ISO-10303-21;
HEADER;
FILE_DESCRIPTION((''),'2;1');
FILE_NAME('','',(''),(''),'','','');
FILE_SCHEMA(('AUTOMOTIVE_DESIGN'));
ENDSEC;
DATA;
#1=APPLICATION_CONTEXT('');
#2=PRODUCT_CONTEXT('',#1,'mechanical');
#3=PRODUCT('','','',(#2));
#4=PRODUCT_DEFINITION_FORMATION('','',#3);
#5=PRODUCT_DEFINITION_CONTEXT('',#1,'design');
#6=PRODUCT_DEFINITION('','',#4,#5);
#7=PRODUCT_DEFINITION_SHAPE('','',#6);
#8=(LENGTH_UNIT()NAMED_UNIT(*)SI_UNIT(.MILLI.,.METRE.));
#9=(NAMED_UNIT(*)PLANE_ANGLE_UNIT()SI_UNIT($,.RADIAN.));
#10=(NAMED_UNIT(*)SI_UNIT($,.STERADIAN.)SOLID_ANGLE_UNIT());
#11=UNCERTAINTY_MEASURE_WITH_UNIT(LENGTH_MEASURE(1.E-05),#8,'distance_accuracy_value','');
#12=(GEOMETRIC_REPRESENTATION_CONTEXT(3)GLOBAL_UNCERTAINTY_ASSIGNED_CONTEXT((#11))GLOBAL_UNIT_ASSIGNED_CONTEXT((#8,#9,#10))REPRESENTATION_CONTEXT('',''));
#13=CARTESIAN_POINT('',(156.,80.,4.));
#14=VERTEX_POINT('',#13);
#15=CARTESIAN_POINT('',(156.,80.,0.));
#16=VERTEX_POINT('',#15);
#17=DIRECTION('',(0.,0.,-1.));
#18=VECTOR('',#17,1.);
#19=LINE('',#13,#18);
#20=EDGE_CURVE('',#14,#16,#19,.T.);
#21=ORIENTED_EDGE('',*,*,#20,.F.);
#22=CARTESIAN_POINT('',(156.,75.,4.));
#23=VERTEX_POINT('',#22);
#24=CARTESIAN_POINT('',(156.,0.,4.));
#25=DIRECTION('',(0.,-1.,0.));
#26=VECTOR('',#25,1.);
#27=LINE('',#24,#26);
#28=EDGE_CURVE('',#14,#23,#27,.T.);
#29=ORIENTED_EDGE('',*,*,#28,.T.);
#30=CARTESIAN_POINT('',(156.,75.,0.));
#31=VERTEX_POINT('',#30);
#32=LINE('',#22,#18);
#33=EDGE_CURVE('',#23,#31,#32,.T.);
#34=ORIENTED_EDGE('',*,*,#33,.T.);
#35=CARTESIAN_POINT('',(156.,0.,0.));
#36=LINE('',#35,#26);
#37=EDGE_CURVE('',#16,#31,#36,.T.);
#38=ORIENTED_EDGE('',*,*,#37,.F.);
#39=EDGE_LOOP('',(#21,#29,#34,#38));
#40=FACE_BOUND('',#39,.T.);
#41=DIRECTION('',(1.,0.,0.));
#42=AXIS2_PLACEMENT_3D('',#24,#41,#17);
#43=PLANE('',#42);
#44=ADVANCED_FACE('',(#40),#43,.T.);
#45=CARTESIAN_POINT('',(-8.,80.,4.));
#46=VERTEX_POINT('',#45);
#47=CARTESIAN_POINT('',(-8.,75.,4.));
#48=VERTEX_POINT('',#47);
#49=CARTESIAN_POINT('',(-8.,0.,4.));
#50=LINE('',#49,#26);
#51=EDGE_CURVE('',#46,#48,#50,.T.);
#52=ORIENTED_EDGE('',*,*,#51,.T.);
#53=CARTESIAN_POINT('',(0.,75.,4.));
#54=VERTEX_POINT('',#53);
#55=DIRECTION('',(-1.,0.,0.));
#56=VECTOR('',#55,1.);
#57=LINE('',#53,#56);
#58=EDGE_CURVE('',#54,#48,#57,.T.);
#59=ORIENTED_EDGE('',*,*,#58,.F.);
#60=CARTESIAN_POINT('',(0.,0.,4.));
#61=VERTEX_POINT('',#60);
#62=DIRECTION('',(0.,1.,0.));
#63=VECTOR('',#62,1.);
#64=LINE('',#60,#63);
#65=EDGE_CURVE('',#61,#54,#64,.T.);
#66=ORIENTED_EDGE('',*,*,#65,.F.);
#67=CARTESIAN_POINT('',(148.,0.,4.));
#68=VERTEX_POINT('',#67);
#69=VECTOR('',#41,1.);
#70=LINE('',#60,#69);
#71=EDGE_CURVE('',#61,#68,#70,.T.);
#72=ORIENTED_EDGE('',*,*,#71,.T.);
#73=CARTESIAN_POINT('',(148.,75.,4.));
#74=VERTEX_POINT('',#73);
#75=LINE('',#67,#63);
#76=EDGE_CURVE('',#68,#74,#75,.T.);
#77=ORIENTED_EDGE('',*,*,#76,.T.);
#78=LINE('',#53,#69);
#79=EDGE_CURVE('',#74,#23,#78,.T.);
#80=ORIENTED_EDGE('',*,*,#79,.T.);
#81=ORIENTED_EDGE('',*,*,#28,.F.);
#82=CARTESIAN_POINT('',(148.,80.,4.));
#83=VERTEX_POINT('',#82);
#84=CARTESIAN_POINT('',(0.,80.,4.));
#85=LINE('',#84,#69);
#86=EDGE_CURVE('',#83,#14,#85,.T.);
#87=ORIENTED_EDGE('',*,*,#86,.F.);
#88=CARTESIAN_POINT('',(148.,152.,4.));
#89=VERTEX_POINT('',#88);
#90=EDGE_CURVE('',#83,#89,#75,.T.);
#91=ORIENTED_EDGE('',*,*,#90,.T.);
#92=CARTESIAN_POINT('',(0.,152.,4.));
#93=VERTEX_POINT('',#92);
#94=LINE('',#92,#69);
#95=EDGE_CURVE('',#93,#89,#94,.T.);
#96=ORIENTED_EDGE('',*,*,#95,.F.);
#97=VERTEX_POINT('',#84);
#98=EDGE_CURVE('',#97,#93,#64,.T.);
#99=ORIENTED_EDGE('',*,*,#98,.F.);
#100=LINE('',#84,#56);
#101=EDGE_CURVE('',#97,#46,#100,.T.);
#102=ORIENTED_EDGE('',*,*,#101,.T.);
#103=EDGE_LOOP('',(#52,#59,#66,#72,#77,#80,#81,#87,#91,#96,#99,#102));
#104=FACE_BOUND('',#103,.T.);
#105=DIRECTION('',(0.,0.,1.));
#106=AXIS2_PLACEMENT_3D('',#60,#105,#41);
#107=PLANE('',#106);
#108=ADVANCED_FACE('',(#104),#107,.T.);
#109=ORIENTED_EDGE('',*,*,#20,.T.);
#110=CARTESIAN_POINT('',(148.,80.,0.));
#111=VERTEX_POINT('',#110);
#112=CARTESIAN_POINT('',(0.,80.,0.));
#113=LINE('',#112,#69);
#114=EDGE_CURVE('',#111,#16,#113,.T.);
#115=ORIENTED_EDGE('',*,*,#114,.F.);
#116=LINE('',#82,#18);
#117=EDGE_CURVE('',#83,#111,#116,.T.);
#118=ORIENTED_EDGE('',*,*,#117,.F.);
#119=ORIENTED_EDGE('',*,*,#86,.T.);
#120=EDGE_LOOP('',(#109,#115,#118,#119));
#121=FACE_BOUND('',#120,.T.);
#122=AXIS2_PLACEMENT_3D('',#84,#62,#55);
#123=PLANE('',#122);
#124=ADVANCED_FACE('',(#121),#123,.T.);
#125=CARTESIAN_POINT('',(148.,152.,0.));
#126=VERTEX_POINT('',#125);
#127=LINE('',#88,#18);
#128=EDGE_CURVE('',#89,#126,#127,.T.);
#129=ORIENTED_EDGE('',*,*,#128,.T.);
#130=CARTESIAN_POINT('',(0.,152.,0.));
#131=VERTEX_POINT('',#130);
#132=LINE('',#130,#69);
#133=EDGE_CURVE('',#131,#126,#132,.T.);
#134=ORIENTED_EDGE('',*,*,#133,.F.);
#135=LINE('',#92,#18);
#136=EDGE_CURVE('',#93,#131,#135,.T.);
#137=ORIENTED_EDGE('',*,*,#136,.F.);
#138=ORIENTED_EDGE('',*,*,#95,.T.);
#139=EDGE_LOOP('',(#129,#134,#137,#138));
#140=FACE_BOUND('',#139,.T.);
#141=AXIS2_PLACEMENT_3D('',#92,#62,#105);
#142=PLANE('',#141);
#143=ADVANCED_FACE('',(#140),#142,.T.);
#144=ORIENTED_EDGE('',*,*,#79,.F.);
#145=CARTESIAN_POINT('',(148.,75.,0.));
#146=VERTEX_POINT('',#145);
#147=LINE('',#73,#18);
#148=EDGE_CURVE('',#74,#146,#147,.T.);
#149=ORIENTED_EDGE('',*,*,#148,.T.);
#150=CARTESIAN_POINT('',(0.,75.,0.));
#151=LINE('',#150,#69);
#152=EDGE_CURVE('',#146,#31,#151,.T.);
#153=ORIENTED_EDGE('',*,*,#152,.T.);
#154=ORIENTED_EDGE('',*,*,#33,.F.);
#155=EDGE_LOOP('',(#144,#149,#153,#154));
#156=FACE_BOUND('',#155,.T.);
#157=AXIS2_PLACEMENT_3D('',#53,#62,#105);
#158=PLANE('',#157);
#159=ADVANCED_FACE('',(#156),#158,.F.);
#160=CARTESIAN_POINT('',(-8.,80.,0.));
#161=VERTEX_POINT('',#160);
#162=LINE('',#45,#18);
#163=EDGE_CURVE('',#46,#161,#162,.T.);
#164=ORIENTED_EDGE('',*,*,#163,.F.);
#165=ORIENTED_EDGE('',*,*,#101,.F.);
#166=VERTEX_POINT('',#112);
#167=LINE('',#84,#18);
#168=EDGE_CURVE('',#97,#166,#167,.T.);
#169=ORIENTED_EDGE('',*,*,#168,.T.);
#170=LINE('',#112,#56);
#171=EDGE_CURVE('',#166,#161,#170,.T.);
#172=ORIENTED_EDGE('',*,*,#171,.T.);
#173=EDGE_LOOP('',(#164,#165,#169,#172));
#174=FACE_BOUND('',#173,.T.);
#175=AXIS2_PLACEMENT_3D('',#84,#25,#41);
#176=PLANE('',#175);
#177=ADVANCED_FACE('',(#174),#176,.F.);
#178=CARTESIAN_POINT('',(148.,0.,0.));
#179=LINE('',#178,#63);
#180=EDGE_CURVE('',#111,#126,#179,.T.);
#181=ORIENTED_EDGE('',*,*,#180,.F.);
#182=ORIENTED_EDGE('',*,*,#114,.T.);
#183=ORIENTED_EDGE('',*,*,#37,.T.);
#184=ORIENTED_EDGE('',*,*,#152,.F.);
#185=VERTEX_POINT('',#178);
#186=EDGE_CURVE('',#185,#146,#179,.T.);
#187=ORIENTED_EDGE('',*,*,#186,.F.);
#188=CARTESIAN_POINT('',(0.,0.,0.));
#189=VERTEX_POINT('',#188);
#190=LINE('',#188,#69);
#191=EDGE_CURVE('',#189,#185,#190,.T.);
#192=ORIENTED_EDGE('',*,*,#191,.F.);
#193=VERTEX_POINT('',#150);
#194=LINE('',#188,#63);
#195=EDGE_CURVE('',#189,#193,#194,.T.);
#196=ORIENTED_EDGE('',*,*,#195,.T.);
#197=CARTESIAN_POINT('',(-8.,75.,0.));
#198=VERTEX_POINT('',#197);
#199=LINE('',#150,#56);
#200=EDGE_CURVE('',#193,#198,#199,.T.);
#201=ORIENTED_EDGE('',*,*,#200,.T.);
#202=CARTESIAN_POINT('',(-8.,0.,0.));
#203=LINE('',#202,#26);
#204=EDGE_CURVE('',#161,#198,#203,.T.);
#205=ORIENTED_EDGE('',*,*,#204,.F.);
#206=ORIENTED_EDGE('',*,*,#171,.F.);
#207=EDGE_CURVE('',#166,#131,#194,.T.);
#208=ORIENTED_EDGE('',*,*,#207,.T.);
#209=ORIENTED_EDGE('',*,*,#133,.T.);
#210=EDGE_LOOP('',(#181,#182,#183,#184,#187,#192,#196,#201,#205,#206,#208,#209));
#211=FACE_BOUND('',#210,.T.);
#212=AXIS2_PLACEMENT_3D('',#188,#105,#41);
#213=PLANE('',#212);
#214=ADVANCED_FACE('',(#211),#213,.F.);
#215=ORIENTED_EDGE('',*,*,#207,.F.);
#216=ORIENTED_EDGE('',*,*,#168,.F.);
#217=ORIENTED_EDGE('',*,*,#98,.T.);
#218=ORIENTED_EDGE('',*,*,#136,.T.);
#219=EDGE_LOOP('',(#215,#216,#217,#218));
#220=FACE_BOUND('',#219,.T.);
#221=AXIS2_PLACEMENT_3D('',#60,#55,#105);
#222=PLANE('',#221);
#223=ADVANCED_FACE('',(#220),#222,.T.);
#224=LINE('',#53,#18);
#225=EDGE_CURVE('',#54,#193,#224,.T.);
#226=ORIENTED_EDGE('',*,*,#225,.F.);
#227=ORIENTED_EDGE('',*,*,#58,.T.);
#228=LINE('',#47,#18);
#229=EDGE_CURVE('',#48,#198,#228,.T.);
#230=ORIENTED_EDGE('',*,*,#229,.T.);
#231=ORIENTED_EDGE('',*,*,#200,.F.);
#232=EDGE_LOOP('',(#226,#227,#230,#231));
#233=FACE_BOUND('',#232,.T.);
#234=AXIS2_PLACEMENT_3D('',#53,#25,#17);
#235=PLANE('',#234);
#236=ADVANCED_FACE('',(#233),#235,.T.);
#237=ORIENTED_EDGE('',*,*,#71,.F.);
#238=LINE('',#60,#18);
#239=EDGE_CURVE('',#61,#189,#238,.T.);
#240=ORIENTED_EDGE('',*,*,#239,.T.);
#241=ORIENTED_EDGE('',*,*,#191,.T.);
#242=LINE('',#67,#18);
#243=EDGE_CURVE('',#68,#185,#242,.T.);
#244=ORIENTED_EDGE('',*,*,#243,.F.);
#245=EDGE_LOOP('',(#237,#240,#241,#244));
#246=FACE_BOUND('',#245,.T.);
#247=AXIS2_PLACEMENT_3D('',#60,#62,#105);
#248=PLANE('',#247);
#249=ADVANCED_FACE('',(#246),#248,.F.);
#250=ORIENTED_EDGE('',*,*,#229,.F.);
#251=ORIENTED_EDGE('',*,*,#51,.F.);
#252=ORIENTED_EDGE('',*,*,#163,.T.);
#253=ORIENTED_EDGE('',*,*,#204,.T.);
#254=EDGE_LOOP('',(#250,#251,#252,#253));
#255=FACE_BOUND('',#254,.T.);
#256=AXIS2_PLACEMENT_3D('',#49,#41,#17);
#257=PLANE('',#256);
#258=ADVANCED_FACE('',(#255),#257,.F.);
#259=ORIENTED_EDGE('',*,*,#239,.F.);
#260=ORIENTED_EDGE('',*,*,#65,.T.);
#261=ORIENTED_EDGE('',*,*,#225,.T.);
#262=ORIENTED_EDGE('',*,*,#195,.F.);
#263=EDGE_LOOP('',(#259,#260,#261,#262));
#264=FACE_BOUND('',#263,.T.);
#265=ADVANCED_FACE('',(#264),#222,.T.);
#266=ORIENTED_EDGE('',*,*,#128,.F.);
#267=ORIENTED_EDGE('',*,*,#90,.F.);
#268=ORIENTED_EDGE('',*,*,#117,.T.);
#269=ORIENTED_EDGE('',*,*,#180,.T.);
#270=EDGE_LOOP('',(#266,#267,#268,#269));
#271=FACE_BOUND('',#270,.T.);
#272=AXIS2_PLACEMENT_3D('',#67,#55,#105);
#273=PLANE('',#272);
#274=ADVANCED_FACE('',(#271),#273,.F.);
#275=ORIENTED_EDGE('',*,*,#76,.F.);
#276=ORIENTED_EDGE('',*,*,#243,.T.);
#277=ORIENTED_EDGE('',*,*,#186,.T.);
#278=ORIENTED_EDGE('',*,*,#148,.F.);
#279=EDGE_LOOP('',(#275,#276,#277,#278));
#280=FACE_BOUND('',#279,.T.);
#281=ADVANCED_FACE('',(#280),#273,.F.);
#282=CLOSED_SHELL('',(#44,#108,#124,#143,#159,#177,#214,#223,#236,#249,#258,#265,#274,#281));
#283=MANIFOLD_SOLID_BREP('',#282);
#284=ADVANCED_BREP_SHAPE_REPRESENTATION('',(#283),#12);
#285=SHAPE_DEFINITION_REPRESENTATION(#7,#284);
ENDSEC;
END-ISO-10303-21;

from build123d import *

# Parameters (mm, degrees)
SKETCH_1_W      = 8
SKETCH_1_H      = 5
SKETCH_1_W_2    = 148
SKETCH_1_H_2    = 75
EXTRUDE_1_DEPTH = 4


with BuildPart() as part:
    # Эскиз1 → Бобышка-Вытянуть1 (new body)
    with BuildSketch(Plane.XY):
        Polygon((0, 80), (0, 75), (148, 75), (148, 80), (148, 152), (0, 152), align=None)
        with Locations((-4, 77.5)):
            Rectangle(SKETCH_1_W, SKETCH_1_H)
        with Locations((74, 37.5)):
            Rectangle(SKETCH_1_W_2, SKETCH_1_H_2)
        with Locations((152, 77.5)):
            Rectangle(SKETCH_1_W, SKETCH_1_H)
    extrude(amount=EXTRUDE_1_DEPTH)


solid = part.part
